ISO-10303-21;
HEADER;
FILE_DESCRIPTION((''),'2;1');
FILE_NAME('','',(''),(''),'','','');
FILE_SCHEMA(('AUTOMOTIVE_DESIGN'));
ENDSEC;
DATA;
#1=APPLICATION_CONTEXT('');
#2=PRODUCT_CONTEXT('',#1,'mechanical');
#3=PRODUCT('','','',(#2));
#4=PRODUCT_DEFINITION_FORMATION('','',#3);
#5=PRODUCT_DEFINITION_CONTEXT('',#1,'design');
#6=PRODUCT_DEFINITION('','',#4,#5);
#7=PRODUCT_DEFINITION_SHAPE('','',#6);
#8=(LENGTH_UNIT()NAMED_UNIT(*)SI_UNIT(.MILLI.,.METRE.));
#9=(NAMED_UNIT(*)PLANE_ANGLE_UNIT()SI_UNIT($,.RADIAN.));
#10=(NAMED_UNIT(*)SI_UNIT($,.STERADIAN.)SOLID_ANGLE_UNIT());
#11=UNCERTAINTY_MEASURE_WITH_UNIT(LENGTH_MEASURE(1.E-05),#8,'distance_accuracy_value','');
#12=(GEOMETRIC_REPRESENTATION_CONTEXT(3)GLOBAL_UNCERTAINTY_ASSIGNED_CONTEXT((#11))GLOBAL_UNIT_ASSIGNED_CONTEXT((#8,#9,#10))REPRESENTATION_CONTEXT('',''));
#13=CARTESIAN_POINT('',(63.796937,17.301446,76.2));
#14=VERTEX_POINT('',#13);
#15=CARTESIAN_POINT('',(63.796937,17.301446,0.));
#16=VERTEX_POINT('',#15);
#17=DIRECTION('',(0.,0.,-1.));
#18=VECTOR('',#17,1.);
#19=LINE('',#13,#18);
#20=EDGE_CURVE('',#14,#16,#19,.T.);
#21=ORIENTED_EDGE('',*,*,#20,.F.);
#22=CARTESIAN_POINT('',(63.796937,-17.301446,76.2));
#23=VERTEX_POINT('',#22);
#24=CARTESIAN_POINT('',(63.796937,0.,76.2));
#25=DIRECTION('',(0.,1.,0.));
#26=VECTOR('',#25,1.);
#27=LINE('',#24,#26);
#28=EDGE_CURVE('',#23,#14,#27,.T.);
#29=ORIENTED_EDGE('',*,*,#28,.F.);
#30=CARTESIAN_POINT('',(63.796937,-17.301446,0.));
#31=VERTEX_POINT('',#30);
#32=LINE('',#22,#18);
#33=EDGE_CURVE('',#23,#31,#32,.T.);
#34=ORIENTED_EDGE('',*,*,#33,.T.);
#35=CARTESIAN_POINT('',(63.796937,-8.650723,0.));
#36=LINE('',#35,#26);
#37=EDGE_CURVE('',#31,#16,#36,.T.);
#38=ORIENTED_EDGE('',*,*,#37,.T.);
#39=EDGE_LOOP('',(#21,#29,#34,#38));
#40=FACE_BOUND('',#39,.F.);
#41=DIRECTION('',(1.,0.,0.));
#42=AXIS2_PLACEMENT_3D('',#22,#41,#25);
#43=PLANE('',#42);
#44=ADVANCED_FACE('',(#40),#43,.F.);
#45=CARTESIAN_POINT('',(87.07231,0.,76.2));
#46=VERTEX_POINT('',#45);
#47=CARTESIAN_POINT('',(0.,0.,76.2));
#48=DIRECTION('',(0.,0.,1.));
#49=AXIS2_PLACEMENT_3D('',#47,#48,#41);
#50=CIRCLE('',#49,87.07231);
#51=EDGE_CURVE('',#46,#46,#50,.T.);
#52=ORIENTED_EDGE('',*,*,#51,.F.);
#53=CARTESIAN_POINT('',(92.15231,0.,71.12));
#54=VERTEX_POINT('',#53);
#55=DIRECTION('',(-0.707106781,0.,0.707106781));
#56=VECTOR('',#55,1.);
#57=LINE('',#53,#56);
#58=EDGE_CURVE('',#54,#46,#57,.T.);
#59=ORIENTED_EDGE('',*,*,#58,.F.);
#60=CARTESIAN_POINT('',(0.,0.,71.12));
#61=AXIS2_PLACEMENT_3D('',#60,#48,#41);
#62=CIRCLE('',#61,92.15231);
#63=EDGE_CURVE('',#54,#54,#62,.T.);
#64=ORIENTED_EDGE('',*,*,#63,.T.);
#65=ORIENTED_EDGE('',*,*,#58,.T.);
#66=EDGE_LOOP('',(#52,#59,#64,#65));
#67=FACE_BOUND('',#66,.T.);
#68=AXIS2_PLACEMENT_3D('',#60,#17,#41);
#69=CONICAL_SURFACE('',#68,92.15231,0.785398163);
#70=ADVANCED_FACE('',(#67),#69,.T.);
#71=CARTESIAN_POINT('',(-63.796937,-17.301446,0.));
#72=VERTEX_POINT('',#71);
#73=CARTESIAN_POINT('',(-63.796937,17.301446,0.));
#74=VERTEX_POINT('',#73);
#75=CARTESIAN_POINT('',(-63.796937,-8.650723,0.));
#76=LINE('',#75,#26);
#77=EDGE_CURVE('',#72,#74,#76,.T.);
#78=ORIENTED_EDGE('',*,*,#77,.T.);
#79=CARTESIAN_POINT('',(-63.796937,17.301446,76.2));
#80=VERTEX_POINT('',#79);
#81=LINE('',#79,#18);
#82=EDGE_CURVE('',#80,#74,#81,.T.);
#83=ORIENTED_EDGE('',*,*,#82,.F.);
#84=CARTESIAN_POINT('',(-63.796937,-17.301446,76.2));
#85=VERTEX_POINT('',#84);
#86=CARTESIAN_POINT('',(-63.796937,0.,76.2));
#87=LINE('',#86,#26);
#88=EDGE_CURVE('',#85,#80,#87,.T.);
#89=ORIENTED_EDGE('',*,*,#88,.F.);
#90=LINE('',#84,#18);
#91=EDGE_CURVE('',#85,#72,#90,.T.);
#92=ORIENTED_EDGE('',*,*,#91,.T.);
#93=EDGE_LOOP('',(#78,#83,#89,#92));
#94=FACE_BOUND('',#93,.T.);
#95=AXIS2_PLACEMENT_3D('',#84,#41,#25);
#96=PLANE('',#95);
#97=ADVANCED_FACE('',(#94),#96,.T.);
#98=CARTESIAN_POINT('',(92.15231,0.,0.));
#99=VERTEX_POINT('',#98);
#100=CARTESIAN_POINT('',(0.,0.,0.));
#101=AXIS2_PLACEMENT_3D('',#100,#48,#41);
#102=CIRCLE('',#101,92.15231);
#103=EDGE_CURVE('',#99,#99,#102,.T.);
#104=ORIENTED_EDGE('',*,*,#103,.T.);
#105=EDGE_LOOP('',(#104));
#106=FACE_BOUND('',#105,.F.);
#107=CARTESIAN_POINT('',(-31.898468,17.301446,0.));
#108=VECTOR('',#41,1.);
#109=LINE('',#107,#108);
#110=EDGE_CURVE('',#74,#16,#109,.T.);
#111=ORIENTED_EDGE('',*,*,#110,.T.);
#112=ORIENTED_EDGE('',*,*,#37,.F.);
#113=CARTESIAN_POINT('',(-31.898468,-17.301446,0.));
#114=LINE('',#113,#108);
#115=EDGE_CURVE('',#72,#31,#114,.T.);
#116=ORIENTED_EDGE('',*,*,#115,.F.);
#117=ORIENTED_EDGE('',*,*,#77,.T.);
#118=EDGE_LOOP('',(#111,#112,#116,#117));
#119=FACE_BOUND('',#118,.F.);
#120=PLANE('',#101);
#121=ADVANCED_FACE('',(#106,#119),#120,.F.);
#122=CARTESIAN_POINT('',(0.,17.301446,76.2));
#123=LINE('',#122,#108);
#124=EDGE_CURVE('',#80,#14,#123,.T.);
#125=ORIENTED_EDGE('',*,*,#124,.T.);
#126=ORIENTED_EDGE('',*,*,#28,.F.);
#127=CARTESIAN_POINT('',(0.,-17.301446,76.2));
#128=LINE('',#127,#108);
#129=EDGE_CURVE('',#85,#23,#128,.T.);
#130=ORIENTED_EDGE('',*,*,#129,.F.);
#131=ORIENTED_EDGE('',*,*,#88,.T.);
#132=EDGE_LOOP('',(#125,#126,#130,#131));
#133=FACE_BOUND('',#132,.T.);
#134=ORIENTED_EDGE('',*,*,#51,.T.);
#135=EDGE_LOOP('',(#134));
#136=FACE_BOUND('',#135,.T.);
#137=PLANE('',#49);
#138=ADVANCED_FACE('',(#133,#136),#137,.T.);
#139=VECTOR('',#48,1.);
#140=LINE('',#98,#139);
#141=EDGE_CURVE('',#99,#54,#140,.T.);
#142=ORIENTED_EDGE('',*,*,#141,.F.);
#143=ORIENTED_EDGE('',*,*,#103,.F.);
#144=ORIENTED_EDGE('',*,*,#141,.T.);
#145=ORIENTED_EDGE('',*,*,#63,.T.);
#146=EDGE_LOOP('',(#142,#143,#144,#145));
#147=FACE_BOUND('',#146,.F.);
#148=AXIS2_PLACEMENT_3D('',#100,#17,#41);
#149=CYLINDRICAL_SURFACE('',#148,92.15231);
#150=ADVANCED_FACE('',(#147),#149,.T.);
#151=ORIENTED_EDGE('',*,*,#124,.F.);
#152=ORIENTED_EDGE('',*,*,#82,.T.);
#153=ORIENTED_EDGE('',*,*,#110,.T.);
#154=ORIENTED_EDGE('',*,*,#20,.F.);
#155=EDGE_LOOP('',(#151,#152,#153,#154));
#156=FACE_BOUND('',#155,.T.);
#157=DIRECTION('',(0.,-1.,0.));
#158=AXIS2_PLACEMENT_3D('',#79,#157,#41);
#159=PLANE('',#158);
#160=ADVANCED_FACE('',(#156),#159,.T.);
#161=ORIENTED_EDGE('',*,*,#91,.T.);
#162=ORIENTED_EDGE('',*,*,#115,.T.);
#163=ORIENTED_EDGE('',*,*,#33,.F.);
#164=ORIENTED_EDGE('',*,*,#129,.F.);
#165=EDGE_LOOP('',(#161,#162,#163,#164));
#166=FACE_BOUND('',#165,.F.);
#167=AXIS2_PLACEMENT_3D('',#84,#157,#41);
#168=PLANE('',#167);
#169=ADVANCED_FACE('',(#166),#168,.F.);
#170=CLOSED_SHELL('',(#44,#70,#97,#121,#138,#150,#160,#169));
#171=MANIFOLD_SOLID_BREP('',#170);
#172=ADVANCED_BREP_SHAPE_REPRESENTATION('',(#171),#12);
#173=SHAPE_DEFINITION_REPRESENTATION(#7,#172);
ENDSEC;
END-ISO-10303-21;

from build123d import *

# Parameters (mm, degrees)
F0_R     = 92.15231
F1_DEPTH = 76.2
F2_SIZE  = 5.08
F3_W     = 127.593874
F3_H     = 34.602892
F4_DEPTH = 115.57


with BuildPart() as f1:
    # F0 (on Top) → F1 (new body)
    with BuildSketch(Plane.XY):
        Circle(F0_R)
    extrude(amount=F1_DEPTH)

    # F2
    f2_edges = [f1.edges().sort_by_distance(p)[0] for p in [
        (-92.15231, 0, 76.2),
    ]]
    chamfer(f2_edges, length=F2_SIZE)

    # F3 (on face) → F4 (cut)
    with BuildSketch(Plane.XY.offset(76.2)):
        Rectangle(F3_W, F3_H)
    extrude(amount=-F4_DEPTH, mode=Mode.SUBTRACT)


solid = f1.part
